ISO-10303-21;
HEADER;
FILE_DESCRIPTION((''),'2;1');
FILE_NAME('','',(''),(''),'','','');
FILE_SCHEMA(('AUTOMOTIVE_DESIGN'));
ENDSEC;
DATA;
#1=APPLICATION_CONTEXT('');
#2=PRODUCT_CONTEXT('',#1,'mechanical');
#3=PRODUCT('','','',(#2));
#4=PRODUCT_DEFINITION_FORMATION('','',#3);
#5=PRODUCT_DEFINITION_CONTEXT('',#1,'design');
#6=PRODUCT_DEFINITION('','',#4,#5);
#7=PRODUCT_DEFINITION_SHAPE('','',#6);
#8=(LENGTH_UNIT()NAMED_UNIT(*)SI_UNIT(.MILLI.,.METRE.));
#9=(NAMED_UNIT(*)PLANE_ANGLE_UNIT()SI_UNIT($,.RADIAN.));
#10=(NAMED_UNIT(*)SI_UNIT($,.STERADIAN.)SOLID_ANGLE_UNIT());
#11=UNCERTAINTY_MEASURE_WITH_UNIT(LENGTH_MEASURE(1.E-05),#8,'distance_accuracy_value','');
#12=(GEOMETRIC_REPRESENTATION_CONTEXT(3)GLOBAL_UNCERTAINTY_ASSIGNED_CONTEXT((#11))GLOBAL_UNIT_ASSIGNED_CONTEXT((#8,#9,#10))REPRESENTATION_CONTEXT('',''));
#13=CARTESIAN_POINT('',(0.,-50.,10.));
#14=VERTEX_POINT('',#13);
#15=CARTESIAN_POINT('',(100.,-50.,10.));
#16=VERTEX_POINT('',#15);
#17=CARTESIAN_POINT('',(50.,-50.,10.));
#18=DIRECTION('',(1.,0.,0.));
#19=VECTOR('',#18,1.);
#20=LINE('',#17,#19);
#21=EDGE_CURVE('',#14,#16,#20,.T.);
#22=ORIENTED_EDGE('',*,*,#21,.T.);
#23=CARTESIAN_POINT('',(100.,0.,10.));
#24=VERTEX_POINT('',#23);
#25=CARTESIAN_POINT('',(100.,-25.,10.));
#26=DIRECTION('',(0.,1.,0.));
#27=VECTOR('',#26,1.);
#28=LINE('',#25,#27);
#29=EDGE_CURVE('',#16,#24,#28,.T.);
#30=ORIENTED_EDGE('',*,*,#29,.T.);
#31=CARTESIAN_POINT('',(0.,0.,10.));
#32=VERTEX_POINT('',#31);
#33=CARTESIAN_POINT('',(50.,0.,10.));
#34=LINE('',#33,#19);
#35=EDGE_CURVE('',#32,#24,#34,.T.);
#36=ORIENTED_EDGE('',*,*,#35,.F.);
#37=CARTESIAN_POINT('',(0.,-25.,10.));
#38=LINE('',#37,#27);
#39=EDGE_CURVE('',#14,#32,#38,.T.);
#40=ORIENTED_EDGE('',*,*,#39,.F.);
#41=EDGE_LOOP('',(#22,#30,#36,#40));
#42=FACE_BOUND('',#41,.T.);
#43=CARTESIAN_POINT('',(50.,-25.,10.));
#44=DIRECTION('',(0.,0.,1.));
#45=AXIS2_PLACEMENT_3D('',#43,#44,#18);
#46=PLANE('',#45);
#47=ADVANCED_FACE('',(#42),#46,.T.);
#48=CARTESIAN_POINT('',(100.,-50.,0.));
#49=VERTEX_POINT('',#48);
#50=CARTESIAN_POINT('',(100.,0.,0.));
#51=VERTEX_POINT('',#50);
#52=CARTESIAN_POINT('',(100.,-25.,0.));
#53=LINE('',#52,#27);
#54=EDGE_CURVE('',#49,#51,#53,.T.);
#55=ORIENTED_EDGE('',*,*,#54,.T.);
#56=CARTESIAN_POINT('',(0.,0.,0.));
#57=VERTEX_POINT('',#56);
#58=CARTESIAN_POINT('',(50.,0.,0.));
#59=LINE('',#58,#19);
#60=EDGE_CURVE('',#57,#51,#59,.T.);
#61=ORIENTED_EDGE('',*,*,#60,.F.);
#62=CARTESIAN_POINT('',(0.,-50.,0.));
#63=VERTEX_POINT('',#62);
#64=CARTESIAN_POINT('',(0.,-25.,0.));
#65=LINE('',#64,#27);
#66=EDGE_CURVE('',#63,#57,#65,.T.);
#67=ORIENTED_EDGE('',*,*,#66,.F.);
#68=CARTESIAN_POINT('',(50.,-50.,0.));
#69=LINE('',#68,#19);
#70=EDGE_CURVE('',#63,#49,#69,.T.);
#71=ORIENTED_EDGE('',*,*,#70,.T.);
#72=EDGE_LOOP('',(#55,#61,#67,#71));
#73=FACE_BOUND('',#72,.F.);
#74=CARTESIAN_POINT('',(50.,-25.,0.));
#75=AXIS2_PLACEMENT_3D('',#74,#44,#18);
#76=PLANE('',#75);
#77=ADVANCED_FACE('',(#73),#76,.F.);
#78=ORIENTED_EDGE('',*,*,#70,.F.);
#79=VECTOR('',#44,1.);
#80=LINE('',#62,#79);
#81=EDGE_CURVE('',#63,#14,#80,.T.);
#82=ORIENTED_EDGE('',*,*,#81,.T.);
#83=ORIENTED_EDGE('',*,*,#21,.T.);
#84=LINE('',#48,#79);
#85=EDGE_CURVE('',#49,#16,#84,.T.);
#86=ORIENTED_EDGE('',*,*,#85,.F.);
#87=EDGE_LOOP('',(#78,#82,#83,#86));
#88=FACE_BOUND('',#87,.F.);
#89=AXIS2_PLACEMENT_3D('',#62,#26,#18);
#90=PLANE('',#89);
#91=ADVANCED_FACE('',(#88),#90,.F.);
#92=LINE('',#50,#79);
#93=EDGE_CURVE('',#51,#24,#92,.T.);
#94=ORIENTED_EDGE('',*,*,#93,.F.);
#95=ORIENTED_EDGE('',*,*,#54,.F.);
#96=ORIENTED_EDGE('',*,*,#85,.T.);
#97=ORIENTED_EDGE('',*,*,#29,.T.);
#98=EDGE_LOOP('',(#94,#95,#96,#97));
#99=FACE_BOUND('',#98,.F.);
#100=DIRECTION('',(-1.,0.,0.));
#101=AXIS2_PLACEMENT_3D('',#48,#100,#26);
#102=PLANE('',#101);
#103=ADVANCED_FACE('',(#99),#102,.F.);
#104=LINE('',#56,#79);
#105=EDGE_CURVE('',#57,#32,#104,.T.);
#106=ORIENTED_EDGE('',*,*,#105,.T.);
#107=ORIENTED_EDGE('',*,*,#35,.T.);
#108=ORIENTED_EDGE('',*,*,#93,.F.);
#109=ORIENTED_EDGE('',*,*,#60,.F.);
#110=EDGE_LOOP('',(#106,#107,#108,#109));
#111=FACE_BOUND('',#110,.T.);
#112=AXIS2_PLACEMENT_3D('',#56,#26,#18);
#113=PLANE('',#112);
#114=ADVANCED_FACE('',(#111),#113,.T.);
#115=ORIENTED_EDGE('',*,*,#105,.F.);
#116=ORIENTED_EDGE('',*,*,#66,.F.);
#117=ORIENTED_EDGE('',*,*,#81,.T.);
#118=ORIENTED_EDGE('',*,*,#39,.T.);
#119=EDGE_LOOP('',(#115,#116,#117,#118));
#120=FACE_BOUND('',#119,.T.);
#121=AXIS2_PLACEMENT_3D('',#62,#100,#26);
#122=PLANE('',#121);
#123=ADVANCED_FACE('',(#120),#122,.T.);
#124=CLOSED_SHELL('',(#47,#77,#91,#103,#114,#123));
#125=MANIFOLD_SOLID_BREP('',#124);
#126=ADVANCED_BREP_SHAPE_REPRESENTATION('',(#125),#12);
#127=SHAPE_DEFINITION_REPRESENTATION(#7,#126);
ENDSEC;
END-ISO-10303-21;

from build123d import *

# Parameters (mm, degrees)
SKIZZE1_W                       = 100
SKIZZE1_H                       = 50
AUFSATZ_LINEAR_AUSTRAGEN1_DEPTH = 10


with BuildPart() as part:
    # Skizze1 → Aufsatz-Linear austragen1 (new body)
    with BuildSketch(Plane.XY):
        with Locations((50, -25)):
            Rectangle(SKIZZE1_W, SKIZZE1_H)
    extrude(amount=AUFSATZ_LINEAR_AUSTRAGEN1_DEPTH)


solid = part.part
